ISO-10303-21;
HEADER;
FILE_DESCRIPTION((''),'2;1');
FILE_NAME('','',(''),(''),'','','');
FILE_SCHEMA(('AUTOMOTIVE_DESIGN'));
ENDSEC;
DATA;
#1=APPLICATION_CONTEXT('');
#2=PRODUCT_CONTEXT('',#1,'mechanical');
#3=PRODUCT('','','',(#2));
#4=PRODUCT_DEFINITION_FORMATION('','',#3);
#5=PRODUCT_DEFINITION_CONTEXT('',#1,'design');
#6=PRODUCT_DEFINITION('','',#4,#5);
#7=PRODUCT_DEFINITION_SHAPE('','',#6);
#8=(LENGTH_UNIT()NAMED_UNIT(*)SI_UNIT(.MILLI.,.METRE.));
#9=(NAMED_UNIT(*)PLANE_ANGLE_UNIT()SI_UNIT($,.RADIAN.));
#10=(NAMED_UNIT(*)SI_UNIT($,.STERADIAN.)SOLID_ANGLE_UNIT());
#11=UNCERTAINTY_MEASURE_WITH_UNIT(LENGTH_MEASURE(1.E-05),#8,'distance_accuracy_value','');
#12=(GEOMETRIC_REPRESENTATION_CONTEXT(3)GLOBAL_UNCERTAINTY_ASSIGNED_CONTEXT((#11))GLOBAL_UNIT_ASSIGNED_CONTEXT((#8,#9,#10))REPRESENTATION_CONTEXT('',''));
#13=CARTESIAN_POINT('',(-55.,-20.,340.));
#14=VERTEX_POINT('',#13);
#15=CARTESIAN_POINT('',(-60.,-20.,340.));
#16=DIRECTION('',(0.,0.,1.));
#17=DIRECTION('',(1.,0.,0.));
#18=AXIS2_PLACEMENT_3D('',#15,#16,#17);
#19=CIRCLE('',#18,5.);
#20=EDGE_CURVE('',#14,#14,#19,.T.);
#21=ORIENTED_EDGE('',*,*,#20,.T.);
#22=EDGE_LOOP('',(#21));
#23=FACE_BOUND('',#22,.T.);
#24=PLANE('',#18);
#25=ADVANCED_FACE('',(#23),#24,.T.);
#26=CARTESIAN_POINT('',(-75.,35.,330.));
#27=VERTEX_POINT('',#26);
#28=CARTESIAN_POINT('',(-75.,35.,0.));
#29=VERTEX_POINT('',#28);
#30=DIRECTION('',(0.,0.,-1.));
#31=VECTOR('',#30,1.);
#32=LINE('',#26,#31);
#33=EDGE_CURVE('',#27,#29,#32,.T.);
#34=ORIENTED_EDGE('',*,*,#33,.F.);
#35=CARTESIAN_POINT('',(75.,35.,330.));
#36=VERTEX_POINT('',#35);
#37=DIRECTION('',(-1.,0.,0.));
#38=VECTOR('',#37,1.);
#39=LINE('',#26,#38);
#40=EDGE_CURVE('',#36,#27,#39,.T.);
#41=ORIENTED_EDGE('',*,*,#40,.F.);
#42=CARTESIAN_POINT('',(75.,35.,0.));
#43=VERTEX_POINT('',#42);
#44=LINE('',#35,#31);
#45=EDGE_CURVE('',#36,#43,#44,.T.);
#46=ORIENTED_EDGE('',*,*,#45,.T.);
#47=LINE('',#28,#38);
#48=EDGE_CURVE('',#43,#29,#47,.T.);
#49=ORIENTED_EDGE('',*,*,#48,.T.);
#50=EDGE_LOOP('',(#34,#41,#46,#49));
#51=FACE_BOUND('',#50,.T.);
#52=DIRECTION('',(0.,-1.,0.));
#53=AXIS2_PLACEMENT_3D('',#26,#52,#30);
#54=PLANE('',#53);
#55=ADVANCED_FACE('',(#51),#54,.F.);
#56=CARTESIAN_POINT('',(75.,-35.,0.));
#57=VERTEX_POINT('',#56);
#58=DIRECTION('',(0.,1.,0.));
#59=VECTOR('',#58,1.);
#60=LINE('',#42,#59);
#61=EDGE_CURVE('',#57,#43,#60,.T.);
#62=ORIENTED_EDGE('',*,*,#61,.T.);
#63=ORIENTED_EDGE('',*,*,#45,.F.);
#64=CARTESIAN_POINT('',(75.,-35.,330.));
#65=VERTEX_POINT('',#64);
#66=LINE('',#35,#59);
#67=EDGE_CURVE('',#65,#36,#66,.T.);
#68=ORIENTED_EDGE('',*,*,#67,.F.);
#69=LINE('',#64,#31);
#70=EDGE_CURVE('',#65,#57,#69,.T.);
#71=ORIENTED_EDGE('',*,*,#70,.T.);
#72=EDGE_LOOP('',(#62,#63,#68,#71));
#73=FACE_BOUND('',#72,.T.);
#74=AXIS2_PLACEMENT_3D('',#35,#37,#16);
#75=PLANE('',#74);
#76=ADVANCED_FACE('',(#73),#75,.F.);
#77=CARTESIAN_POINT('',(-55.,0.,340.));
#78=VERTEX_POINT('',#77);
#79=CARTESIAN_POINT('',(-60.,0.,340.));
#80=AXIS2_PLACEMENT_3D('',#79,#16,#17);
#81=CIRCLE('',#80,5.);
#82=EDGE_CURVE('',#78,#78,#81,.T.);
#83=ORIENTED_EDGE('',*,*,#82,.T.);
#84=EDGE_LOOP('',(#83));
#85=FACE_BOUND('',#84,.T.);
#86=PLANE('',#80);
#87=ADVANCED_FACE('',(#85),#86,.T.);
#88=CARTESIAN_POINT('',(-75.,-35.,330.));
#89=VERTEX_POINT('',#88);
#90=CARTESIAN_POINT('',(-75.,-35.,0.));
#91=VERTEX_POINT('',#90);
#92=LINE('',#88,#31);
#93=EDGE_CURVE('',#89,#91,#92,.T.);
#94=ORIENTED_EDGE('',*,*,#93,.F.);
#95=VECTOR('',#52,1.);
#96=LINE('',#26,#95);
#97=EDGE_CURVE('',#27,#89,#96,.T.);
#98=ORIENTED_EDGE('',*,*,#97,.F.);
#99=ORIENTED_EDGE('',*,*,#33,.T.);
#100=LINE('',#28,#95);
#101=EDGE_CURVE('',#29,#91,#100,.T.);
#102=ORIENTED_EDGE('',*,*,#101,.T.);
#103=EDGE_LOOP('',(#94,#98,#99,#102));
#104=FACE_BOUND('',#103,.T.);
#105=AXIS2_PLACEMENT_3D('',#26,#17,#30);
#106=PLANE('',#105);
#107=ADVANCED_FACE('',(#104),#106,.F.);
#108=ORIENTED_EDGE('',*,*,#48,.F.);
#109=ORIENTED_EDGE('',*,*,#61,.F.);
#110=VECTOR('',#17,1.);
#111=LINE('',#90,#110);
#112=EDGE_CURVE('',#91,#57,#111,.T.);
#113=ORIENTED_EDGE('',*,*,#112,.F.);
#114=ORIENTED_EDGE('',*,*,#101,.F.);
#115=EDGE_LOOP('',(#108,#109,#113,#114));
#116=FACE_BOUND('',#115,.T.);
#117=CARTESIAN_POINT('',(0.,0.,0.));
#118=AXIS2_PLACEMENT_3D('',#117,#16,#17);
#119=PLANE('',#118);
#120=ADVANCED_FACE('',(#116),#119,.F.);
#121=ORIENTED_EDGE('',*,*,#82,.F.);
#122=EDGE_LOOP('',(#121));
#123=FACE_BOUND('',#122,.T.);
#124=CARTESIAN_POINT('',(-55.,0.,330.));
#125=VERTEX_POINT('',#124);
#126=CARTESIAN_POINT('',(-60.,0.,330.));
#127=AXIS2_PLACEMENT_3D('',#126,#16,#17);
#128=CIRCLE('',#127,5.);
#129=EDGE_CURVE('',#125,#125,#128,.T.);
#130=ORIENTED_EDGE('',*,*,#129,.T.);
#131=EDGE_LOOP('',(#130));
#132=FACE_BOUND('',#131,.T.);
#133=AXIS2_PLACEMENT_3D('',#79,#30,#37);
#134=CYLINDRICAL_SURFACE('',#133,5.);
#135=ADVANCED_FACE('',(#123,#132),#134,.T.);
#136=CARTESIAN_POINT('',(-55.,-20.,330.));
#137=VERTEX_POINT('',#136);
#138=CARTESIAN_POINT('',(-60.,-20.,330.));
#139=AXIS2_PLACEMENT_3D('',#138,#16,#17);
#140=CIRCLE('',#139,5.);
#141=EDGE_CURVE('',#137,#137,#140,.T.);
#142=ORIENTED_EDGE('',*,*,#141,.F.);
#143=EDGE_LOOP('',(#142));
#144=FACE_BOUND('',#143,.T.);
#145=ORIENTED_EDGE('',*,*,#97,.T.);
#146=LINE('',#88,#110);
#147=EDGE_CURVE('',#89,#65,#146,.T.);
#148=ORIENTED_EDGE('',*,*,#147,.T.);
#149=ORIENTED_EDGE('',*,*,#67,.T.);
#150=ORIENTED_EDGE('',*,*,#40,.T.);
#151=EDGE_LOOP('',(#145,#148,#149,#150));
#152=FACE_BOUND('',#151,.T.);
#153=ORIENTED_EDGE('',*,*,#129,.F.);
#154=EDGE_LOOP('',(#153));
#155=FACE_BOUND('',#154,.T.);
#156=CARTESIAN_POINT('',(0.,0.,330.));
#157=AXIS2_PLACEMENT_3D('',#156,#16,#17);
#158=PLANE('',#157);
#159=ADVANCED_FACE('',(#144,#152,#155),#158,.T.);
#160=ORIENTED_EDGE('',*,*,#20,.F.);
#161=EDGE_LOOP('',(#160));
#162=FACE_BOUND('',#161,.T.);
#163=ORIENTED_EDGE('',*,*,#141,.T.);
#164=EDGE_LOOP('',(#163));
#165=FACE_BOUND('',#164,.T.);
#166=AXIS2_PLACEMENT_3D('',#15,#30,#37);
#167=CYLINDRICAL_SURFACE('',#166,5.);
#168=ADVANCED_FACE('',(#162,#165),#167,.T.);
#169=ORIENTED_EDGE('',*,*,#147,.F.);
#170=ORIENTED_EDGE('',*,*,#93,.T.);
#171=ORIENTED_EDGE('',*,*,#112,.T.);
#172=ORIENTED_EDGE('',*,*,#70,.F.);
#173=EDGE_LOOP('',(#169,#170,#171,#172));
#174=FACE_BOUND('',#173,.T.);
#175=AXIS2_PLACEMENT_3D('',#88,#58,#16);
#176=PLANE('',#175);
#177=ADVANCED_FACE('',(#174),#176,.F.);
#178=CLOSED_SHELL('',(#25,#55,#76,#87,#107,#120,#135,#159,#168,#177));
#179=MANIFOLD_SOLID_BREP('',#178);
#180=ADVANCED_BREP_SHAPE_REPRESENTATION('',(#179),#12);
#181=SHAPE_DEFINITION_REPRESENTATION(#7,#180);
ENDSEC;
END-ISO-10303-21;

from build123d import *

# Parameters (mm, degrees)
SKETCH_1_W      = 150
SKETCH_1_H      = 70
EXTRUDE_1_DEPTH = 330
SKETCH_2_R      = 5
EXTRUDE_2_DEPTH = 10


with BuildPart() as part:
    # 草图1 → 凸台-拉伸1 (new body)
    with BuildSketch(Plane.XY):
        Rectangle(SKETCH_1_W, SKETCH_1_H)
    extrude(amount=EXTRUDE_1_DEPTH)

    # 草图2 → 凸台-拉伸2 (add)
    with BuildSketch(Plane.XY.offset(330)):
        with Locations((-60, 0)):
            Circle(SKETCH_2_R)
        with Locations((-60, -20)):
            Circle(SKETCH_2_R)
    extrude(amount=EXTRUDE_2_DEPTH)


solid = part.part
